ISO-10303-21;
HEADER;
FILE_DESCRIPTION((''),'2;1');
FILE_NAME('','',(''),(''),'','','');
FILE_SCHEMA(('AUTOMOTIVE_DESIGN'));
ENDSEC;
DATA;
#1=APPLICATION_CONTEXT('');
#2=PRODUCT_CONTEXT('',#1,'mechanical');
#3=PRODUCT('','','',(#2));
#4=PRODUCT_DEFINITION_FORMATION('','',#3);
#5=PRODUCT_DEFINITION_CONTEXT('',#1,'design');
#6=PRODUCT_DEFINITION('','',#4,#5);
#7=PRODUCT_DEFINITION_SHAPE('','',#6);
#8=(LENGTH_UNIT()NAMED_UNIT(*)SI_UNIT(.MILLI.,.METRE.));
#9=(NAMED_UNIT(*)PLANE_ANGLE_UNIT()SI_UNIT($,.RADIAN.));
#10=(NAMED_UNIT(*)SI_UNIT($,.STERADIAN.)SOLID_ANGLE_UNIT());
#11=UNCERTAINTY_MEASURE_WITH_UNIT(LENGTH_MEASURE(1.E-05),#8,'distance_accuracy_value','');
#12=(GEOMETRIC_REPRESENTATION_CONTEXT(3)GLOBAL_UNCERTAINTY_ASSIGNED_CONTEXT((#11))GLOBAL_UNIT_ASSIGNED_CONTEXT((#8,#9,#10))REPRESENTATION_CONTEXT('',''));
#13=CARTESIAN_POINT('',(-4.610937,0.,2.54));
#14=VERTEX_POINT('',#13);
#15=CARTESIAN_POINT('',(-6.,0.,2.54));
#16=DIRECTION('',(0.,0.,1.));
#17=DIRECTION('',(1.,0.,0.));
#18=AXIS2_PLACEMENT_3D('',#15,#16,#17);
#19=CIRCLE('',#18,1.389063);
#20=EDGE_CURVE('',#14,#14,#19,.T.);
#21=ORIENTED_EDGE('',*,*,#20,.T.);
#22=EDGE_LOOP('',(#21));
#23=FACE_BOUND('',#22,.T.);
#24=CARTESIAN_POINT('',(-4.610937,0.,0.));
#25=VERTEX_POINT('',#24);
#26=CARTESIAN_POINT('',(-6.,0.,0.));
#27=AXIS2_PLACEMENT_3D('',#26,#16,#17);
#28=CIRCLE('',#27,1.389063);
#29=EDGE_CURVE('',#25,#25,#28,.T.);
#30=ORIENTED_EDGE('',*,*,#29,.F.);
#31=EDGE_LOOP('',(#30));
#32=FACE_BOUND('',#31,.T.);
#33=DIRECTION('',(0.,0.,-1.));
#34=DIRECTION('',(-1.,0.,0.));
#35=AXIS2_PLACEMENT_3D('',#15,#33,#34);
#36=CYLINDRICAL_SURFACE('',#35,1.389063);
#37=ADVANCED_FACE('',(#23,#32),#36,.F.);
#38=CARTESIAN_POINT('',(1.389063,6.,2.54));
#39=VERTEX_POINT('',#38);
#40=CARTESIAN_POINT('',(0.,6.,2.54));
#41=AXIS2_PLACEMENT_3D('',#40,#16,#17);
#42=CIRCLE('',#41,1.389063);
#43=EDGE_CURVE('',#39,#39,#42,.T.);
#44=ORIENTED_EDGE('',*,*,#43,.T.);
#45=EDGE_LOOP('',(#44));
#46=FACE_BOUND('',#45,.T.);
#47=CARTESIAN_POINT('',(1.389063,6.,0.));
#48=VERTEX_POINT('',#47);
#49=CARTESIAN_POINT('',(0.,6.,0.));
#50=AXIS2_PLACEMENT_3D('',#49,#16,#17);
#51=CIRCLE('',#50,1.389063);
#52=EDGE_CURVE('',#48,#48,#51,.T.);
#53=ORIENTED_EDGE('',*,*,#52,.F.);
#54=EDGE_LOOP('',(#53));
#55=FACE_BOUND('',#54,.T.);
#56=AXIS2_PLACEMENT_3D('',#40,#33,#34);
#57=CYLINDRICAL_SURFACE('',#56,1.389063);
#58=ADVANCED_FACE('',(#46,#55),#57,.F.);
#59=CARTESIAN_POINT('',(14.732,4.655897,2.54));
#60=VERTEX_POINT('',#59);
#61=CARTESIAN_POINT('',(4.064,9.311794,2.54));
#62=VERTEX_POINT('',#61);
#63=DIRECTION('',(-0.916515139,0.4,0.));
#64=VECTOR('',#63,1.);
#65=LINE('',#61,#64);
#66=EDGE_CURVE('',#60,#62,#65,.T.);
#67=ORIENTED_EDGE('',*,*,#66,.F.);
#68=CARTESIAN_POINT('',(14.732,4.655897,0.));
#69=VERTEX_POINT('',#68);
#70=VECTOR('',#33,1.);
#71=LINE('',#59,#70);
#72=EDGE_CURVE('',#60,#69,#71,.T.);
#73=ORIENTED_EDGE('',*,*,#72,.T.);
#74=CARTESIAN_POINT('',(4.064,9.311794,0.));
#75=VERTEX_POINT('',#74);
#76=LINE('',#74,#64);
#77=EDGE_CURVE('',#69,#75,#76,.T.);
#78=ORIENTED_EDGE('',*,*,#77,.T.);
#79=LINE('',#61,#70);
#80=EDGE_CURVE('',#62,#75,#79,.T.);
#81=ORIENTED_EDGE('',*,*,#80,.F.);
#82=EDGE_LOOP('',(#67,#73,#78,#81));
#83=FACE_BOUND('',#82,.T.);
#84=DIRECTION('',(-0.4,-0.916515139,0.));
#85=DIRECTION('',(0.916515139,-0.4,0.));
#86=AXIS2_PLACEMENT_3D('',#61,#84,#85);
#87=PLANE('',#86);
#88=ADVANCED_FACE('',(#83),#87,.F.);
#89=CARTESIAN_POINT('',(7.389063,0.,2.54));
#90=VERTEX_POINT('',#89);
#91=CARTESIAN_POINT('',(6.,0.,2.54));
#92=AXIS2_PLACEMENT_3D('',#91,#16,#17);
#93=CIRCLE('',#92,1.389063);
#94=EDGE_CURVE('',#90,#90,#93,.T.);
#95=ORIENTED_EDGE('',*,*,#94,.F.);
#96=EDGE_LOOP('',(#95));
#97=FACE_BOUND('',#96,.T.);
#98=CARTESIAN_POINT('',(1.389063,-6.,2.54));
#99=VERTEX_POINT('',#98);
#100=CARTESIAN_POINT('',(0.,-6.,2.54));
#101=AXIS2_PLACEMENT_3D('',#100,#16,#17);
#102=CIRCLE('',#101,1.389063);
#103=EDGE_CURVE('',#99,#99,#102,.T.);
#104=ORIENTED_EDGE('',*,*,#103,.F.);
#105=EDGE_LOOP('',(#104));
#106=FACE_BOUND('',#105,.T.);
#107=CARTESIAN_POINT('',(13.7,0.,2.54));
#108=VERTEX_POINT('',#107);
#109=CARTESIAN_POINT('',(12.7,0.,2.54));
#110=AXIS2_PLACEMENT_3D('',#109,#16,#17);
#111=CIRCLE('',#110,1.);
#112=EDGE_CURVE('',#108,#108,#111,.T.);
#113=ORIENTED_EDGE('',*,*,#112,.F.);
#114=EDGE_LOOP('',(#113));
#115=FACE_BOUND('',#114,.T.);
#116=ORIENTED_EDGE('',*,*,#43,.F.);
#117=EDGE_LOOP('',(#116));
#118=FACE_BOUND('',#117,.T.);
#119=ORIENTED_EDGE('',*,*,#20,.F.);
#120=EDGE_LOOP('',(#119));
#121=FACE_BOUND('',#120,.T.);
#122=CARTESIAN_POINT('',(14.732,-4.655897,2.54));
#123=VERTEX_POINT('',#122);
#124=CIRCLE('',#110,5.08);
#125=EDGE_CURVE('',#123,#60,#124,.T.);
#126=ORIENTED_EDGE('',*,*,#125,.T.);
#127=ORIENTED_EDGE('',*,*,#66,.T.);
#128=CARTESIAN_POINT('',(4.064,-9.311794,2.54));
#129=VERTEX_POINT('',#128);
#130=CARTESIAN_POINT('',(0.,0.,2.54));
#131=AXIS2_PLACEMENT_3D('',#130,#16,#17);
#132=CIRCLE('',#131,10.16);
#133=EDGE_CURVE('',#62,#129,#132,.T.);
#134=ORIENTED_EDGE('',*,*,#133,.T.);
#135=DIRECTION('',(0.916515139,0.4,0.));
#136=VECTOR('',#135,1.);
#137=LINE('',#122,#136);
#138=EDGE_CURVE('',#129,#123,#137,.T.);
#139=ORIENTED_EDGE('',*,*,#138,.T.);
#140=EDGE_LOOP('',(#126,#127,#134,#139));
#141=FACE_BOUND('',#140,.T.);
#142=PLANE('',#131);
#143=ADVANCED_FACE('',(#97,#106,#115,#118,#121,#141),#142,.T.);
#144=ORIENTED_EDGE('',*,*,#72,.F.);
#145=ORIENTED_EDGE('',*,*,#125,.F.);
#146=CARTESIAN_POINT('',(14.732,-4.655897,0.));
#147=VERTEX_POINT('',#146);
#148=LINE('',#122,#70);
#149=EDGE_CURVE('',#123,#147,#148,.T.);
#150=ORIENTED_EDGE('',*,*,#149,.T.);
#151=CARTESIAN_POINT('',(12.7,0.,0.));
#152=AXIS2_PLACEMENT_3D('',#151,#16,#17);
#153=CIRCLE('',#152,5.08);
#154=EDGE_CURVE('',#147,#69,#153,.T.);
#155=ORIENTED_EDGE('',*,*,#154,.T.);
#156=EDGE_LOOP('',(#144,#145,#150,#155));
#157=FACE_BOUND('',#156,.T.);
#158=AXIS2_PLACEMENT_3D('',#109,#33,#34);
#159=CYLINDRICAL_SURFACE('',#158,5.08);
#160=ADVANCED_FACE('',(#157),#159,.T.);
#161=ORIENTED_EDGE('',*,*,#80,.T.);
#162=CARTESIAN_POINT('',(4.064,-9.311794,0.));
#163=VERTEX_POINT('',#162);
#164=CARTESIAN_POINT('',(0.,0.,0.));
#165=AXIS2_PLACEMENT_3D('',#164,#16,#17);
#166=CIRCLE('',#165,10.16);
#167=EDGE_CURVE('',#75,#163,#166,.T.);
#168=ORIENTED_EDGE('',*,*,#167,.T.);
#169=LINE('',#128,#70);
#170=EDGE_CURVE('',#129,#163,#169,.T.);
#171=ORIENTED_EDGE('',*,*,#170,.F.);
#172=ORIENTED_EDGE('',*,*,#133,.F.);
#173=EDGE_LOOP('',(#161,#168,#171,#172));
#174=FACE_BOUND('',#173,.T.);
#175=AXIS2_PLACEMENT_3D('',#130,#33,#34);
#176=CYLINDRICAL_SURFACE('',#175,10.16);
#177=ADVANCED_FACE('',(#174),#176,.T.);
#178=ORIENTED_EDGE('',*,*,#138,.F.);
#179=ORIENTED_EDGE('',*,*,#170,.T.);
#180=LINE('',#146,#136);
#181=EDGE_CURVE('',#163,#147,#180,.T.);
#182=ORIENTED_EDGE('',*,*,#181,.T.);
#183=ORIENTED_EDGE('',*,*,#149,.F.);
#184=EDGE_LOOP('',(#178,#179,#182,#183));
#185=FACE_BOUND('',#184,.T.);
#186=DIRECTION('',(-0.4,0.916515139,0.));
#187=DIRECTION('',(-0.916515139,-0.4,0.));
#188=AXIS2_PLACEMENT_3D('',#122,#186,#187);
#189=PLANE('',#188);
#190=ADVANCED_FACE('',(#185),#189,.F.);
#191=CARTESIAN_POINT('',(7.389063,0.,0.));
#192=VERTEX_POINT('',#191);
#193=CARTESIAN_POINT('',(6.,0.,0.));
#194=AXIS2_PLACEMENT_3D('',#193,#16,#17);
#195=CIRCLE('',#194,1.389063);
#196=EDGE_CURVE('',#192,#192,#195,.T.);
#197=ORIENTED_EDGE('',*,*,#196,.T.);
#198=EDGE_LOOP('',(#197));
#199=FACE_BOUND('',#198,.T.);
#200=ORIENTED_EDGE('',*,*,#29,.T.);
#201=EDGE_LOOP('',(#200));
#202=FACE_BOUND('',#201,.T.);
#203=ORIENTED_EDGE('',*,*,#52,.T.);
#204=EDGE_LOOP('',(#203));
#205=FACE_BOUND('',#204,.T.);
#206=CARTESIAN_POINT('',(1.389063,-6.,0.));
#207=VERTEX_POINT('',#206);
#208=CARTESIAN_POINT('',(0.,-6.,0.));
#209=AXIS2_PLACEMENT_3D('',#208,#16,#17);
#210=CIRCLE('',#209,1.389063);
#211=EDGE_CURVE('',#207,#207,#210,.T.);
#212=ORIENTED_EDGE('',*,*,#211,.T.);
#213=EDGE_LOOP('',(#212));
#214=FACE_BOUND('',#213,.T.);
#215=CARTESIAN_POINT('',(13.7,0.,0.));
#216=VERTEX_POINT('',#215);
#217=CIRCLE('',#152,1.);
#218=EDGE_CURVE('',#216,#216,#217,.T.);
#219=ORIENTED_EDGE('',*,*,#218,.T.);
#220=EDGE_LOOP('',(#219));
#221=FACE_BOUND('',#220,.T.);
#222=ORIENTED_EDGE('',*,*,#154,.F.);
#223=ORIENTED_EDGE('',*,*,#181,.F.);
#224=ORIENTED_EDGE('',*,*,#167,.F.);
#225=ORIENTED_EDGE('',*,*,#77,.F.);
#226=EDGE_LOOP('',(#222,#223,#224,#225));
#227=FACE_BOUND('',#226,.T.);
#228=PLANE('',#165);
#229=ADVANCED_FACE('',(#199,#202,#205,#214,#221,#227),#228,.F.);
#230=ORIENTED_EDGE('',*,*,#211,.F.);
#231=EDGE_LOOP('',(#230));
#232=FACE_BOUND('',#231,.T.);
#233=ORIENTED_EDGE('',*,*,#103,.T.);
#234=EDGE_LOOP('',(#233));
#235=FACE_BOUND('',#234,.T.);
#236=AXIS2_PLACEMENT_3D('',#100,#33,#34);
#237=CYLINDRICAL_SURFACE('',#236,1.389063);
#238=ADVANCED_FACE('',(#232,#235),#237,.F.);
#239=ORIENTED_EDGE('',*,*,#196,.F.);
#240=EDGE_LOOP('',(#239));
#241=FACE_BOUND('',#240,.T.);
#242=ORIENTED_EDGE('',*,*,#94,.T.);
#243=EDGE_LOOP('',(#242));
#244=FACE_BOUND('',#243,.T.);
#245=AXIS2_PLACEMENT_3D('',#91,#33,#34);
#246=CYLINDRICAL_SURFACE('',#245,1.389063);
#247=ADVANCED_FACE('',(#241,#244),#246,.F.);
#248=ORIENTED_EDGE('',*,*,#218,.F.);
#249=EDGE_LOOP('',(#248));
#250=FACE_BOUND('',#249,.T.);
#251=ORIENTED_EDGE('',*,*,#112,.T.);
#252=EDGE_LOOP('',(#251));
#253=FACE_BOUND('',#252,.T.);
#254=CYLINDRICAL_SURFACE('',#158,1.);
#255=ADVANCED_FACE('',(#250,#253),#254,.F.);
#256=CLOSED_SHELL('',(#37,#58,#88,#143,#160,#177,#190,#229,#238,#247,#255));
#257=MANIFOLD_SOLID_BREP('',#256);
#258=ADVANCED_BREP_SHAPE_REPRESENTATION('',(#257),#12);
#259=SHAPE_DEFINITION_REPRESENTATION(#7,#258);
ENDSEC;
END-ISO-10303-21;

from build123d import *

# Parameters (mm, degrees)
SKETCH1_R           = 1.3890625
SKETCH1_R_2         = 1
BOSS_EXTRUDE1_DEPTH = 2.54


with BuildPart() as part:
    # Sketch1 → Boss-Extrude1 (new body)
    with BuildSketch(Plane.XY):
        with BuildLine():
            Line((4.064, 9.311793812), (14.732, 4.655896906))
            ThreePointArc((14.732, 4.655896906), (17.78, 0), (14.732, -4.655896906))
            Line((14.732, -4.655896906), (4.064, -9.311793812))
            ThreePointArc((4.064, -9.311793812), (-10.16, 0), (4.064, 9.311793812))
        make_face()
        with Locations((0, 6)):
            Circle(SKETCH1_R, mode=Mode.SUBTRACT)
        with Locations((6, 0)):
            Circle(SKETCH1_R, mode=Mode.SUBTRACT)
        with Locations((12.7, 0)):
            Circle(SKETCH1_R_2, mode=Mode.SUBTRACT)
        with Locations((0, -6)):
            Circle(SKETCH1_R, mode=Mode.SUBTRACT)
        with Locations((-6, 0)):
            Circle(SKETCH1_R, mode=Mode.SUBTRACT)
    extrude(amount=BOSS_EXTRUDE1_DEPTH)


solid = part.part
